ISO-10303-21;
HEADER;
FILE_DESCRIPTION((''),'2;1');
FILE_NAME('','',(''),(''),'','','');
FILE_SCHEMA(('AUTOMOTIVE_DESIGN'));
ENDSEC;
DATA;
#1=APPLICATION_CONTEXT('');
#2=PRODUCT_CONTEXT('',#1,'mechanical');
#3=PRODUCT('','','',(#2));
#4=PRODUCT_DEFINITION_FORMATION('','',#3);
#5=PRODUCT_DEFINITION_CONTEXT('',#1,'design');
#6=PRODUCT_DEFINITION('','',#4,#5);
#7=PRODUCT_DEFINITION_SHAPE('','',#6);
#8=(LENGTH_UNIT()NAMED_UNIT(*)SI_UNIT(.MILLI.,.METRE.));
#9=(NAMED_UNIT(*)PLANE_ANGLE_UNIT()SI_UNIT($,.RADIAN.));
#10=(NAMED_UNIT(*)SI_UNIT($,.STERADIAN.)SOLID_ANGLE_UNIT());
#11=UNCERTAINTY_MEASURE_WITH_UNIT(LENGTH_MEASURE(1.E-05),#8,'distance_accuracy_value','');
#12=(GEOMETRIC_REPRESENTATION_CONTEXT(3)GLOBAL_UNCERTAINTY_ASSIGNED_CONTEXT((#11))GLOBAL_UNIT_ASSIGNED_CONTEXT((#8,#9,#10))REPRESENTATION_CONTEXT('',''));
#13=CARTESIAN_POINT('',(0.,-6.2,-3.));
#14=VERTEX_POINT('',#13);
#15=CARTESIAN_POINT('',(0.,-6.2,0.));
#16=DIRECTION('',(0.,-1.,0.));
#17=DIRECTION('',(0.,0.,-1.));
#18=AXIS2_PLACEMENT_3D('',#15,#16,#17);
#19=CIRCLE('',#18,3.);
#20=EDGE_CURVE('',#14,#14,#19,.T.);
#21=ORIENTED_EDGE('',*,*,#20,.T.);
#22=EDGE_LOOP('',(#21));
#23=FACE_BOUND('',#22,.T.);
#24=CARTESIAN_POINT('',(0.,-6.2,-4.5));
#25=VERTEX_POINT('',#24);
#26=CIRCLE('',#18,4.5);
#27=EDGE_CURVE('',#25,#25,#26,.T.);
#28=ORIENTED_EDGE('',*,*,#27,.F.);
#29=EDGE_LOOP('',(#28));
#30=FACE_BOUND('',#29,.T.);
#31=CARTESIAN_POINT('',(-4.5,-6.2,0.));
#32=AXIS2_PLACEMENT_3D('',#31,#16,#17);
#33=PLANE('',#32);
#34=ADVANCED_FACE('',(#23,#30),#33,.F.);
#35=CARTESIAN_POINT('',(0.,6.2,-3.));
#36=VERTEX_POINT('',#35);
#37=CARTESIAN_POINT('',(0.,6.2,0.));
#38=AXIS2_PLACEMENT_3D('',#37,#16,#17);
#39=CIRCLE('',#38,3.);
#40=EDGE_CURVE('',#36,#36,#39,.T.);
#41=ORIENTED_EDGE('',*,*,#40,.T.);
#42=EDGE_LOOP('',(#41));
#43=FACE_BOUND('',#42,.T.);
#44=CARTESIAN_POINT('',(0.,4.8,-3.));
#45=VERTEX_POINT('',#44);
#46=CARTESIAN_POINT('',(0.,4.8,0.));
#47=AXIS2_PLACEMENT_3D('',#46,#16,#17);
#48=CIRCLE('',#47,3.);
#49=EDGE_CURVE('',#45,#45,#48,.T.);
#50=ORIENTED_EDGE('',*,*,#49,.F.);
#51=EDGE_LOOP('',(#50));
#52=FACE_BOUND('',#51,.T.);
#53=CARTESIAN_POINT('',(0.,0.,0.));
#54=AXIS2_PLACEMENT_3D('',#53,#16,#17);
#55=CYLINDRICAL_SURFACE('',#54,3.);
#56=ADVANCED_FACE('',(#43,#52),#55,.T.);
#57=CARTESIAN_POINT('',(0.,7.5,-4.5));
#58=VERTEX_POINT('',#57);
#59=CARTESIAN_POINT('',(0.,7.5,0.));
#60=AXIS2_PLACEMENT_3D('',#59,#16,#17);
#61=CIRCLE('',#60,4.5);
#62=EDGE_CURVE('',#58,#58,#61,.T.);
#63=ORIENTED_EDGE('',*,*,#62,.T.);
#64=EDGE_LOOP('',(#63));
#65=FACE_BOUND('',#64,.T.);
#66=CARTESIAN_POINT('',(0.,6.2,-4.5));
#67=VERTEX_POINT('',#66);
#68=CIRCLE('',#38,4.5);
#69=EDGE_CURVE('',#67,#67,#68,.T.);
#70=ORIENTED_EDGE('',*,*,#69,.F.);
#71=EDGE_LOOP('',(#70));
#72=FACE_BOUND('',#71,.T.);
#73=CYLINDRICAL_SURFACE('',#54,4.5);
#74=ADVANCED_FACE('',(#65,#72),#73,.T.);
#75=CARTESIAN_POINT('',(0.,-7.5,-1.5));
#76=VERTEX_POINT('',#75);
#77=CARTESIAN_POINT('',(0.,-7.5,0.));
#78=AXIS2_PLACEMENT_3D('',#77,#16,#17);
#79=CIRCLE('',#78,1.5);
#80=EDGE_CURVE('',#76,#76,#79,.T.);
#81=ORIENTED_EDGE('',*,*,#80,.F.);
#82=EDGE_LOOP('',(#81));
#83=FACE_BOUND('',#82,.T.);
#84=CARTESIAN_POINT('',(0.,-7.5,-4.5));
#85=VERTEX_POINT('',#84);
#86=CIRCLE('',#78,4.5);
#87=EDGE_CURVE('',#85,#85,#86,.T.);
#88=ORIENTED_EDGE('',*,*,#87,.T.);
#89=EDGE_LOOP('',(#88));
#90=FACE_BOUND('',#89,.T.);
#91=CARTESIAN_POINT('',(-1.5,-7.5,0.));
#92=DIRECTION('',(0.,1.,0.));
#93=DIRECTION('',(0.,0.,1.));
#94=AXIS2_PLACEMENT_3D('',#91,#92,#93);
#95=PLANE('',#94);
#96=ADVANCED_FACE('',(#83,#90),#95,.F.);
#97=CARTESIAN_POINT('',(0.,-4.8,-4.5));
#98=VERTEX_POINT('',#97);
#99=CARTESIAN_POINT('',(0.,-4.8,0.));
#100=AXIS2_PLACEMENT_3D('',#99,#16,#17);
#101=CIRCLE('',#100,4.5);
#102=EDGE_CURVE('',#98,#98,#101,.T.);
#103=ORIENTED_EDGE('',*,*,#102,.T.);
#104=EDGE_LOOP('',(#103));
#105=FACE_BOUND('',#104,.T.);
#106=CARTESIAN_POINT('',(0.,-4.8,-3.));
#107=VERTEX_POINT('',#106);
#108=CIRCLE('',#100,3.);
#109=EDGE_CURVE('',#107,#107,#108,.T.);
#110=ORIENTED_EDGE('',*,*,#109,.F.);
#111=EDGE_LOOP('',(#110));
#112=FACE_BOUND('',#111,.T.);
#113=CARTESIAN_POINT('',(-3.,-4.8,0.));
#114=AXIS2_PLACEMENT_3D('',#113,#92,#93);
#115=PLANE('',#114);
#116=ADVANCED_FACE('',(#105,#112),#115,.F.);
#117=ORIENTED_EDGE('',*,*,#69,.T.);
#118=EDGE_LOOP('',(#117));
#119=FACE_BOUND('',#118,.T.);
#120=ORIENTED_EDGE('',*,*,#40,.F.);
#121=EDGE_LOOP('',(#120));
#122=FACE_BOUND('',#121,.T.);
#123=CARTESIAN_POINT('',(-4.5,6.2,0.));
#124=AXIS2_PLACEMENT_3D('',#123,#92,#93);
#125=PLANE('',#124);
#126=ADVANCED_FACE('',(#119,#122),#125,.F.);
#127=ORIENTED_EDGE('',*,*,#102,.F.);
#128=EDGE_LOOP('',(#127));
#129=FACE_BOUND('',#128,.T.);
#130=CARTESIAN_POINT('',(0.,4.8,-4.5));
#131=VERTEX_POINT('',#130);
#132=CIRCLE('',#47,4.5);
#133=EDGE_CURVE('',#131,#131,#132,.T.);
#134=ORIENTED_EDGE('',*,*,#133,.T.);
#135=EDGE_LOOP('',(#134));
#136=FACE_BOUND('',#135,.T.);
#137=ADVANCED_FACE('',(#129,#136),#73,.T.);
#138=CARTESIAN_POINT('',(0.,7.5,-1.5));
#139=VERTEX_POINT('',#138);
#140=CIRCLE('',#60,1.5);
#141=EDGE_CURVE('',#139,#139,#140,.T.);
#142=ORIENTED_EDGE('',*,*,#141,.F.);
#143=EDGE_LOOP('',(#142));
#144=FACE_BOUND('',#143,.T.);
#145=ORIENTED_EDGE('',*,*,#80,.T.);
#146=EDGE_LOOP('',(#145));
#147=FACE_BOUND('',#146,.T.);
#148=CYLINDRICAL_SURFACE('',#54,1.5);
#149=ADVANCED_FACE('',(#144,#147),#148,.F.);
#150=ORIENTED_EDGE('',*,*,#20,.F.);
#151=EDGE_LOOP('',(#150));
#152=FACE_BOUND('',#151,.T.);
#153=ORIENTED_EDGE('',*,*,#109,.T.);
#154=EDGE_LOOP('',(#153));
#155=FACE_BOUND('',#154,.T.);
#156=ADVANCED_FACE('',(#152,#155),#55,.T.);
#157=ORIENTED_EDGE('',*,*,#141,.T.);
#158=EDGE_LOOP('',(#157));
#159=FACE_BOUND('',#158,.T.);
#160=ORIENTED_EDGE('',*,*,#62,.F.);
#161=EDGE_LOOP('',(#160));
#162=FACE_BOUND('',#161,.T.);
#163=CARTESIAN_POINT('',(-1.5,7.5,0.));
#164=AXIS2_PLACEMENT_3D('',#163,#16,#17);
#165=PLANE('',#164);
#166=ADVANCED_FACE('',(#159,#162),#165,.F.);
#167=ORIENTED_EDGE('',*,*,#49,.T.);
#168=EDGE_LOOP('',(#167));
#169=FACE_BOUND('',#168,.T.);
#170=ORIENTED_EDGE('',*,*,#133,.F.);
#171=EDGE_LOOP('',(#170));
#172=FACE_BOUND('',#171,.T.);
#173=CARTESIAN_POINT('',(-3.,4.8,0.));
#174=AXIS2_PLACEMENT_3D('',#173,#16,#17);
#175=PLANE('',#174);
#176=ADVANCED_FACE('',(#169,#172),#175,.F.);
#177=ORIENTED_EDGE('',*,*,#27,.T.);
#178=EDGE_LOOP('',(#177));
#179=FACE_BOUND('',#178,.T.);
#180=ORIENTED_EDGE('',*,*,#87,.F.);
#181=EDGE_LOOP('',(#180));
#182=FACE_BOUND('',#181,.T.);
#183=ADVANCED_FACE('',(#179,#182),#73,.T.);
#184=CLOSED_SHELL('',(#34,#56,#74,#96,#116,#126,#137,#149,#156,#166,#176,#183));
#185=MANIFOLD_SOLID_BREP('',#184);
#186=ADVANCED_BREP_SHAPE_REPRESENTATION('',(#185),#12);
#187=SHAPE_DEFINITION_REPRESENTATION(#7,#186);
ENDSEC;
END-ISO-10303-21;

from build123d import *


with BuildPart() as part:
    # Croquis1 → Revolución1 (revolve)
    with BuildSketch(Plane.XY, mode=Mode.PRIVATE) as revoluci_n1_sk:
        Polygon((-1.5, 7.5), (-1.5, -7.5), (-4.5, -7.5), (-4.5, -6.2), (-3, -6.2), (-3, -4.8), (-4.5, -4.8), (-4.5, 4.8), (-3, 4.8), (-3, 6.2), (-4.5, 6.2), (-4.5, 7.5), align=None)
    revolve(revoluci_n1_sk.sketch.rotate(Axis((0, 0, 0), (0, 1, 0)), 270), axis=Axis((0, 0, 0), (0, 1, 0)))


solid = part.part
